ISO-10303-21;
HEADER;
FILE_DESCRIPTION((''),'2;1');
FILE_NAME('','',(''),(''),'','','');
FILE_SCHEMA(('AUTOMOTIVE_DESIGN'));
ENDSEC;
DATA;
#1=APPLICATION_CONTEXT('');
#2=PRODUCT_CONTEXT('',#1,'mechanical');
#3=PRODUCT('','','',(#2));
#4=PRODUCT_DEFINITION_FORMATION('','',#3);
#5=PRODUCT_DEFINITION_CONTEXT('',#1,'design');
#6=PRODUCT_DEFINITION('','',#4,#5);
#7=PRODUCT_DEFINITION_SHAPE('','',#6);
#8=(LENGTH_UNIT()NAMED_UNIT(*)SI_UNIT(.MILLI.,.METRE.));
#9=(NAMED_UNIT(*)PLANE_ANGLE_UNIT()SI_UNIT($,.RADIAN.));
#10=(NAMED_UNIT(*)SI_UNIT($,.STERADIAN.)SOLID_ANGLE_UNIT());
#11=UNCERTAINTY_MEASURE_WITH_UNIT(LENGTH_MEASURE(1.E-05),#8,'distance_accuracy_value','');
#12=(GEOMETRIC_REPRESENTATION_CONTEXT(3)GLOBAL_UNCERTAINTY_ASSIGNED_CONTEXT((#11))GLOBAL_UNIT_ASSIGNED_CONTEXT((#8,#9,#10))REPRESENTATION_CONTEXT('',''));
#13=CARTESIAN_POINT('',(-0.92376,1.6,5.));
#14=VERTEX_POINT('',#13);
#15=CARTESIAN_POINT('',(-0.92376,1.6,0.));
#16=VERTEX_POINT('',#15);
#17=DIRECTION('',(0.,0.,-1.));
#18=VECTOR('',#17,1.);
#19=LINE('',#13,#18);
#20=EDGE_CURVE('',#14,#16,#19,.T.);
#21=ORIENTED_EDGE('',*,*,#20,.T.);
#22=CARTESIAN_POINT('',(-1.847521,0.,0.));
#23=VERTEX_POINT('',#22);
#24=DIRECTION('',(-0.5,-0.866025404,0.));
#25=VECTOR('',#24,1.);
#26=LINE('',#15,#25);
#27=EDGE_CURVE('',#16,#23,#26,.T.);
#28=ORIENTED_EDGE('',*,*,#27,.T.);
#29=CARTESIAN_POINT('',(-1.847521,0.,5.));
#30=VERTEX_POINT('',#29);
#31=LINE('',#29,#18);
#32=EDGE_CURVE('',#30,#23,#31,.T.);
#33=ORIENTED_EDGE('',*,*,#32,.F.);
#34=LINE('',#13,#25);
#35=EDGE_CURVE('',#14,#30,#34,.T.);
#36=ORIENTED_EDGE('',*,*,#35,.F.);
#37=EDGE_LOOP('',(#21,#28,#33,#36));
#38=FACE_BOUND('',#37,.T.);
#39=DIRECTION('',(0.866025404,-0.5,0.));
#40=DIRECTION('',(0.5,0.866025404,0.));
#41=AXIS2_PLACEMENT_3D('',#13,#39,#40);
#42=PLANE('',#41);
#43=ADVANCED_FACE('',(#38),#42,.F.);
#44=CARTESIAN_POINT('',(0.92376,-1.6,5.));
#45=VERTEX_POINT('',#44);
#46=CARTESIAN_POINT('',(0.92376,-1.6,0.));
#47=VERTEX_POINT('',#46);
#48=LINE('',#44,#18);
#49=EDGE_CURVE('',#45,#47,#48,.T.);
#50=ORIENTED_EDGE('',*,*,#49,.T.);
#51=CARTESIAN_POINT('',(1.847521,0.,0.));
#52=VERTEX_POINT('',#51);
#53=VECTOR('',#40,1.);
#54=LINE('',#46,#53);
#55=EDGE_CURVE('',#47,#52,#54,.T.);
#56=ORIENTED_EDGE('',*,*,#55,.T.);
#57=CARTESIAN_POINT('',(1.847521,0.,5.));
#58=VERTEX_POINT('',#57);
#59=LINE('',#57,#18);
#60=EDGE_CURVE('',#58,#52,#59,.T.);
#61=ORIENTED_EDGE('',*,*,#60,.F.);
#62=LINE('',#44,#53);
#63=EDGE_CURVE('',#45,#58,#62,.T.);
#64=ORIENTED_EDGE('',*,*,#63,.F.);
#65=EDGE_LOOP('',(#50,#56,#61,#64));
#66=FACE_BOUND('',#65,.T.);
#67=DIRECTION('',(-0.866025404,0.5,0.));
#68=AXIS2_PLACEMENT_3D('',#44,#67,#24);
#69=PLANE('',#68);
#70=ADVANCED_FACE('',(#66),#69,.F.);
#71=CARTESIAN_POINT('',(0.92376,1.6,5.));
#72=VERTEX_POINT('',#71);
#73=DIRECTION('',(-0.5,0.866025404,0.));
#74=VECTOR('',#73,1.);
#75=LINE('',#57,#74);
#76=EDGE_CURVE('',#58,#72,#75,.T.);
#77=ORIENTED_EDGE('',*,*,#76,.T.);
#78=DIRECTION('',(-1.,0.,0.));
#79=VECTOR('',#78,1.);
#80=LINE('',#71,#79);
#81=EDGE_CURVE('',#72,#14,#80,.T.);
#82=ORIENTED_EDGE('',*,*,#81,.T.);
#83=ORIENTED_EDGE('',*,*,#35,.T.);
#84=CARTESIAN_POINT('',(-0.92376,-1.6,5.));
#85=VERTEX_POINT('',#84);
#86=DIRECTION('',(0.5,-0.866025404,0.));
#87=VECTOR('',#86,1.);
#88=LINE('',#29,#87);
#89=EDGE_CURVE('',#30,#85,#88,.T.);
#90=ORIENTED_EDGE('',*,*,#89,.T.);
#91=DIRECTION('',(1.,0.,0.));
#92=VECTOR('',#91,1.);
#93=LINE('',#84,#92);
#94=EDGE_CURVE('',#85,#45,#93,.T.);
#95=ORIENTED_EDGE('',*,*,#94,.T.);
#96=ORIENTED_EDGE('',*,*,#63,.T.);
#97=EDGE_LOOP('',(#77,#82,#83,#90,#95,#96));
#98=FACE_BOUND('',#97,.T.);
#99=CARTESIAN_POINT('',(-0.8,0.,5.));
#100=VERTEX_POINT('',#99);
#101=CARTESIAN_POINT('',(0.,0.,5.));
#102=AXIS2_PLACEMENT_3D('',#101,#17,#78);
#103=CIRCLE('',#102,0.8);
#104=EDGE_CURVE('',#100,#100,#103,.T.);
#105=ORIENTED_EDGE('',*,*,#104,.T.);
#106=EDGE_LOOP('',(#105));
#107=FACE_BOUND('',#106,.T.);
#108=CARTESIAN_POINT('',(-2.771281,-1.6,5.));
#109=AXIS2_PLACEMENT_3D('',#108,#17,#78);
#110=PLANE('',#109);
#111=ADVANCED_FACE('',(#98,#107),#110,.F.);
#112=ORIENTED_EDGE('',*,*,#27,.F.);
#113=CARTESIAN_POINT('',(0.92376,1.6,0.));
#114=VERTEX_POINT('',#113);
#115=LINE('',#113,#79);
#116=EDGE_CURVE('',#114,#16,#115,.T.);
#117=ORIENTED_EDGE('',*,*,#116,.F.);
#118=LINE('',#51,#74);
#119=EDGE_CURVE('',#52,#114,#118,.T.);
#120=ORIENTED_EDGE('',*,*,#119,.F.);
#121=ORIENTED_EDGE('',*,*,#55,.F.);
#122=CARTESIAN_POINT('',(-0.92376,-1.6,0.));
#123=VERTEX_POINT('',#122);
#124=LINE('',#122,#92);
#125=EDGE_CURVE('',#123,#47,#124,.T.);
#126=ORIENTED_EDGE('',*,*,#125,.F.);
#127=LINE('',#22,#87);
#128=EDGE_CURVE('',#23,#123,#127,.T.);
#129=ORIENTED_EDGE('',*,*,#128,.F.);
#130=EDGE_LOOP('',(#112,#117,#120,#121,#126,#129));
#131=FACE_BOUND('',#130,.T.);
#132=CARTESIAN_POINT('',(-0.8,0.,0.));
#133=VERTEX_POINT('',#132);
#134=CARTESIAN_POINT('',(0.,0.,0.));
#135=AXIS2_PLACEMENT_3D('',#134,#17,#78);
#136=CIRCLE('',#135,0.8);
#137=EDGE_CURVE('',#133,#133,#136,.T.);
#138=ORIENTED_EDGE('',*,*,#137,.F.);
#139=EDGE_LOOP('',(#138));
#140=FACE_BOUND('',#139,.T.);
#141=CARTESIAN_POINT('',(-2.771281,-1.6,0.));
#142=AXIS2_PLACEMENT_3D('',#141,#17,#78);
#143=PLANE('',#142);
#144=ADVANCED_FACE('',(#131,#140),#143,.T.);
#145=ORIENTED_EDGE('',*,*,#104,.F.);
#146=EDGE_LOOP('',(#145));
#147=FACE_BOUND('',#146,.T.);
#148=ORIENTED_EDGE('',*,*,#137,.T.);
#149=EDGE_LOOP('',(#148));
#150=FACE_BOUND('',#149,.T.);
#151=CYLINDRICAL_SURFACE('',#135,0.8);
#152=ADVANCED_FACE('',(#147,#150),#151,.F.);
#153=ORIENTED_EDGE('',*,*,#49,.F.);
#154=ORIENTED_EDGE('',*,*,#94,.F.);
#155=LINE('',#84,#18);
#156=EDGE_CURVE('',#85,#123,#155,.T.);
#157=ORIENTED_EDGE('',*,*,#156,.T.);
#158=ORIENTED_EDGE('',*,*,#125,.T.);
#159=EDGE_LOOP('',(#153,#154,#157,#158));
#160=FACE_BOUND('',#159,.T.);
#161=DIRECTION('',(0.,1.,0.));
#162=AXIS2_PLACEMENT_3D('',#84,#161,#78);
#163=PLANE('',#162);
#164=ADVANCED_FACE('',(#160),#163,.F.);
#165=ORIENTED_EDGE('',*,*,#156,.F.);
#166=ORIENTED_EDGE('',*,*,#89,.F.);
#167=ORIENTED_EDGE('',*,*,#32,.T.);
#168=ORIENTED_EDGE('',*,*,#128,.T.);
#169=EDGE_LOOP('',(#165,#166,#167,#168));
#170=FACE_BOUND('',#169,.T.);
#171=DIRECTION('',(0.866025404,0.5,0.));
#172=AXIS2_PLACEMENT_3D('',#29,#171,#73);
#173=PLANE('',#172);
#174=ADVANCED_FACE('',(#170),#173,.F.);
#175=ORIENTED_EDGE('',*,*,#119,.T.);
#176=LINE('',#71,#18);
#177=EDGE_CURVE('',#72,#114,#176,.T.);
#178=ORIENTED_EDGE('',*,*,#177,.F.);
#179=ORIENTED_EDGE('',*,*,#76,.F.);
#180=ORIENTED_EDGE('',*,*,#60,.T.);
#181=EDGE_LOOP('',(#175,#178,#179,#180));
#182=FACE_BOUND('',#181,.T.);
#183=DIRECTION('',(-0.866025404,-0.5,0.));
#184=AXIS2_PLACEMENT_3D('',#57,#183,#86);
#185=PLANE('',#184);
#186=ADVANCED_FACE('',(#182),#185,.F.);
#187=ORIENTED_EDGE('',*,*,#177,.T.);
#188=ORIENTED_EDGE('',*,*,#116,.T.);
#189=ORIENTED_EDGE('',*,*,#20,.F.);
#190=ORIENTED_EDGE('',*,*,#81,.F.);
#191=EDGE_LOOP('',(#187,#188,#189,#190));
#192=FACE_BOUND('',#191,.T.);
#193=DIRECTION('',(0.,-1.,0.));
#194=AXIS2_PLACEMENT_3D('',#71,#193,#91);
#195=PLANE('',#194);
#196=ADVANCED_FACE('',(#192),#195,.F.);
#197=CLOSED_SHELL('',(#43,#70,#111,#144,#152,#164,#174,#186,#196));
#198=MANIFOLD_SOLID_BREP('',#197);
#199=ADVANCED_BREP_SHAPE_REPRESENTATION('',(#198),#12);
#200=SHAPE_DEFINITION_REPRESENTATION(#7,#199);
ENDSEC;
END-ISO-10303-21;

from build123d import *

# Parameters (mm, degrees)
EXTRUDE_1_DEPTH        = 5
HOLE_WIZARD_M2_1_D     = 1.6
HOLE_WIZARD_M2_1_DEPTH = 6
HOLE_WIZARD_M2_1_TIP   = 0.480688495


with BuildPart() as part:
    # 草图1 → 拉伸1 (new body)
    with BuildSketch(Plane.XY):
        Polygon((0.923760431, -1.6), (1.847520861, 0), (0.923760431, 1.6), (-0.923760431, 1.6), (-1.847520861, 0), (-0.923760431, -1.6), align=None)
    extrude(amount=EXTRUDE_1_DEPTH)

    # M2 螺纹孔1
    with Locations(Plane(origin=(0, 0, 0), x_dir=(-1, 0, 0), z_dir=(0, 0, -1))):
        with Locations((0, 0)):
            Hole(HOLE_WIZARD_M2_1_D / 2, depth=HOLE_WIZARD_M2_1_DEPTH)
            with Locations((0, 0, -(HOLE_WIZARD_M2_1_DEPTH + HOLE_WIZARD_M2_1_TIP / 2))):  # 118° drill point
                Cone(0, HOLE_WIZARD_M2_1_D / 2, HOLE_WIZARD_M2_1_TIP, mode=Mode.SUBTRACT)


solid = part.part
